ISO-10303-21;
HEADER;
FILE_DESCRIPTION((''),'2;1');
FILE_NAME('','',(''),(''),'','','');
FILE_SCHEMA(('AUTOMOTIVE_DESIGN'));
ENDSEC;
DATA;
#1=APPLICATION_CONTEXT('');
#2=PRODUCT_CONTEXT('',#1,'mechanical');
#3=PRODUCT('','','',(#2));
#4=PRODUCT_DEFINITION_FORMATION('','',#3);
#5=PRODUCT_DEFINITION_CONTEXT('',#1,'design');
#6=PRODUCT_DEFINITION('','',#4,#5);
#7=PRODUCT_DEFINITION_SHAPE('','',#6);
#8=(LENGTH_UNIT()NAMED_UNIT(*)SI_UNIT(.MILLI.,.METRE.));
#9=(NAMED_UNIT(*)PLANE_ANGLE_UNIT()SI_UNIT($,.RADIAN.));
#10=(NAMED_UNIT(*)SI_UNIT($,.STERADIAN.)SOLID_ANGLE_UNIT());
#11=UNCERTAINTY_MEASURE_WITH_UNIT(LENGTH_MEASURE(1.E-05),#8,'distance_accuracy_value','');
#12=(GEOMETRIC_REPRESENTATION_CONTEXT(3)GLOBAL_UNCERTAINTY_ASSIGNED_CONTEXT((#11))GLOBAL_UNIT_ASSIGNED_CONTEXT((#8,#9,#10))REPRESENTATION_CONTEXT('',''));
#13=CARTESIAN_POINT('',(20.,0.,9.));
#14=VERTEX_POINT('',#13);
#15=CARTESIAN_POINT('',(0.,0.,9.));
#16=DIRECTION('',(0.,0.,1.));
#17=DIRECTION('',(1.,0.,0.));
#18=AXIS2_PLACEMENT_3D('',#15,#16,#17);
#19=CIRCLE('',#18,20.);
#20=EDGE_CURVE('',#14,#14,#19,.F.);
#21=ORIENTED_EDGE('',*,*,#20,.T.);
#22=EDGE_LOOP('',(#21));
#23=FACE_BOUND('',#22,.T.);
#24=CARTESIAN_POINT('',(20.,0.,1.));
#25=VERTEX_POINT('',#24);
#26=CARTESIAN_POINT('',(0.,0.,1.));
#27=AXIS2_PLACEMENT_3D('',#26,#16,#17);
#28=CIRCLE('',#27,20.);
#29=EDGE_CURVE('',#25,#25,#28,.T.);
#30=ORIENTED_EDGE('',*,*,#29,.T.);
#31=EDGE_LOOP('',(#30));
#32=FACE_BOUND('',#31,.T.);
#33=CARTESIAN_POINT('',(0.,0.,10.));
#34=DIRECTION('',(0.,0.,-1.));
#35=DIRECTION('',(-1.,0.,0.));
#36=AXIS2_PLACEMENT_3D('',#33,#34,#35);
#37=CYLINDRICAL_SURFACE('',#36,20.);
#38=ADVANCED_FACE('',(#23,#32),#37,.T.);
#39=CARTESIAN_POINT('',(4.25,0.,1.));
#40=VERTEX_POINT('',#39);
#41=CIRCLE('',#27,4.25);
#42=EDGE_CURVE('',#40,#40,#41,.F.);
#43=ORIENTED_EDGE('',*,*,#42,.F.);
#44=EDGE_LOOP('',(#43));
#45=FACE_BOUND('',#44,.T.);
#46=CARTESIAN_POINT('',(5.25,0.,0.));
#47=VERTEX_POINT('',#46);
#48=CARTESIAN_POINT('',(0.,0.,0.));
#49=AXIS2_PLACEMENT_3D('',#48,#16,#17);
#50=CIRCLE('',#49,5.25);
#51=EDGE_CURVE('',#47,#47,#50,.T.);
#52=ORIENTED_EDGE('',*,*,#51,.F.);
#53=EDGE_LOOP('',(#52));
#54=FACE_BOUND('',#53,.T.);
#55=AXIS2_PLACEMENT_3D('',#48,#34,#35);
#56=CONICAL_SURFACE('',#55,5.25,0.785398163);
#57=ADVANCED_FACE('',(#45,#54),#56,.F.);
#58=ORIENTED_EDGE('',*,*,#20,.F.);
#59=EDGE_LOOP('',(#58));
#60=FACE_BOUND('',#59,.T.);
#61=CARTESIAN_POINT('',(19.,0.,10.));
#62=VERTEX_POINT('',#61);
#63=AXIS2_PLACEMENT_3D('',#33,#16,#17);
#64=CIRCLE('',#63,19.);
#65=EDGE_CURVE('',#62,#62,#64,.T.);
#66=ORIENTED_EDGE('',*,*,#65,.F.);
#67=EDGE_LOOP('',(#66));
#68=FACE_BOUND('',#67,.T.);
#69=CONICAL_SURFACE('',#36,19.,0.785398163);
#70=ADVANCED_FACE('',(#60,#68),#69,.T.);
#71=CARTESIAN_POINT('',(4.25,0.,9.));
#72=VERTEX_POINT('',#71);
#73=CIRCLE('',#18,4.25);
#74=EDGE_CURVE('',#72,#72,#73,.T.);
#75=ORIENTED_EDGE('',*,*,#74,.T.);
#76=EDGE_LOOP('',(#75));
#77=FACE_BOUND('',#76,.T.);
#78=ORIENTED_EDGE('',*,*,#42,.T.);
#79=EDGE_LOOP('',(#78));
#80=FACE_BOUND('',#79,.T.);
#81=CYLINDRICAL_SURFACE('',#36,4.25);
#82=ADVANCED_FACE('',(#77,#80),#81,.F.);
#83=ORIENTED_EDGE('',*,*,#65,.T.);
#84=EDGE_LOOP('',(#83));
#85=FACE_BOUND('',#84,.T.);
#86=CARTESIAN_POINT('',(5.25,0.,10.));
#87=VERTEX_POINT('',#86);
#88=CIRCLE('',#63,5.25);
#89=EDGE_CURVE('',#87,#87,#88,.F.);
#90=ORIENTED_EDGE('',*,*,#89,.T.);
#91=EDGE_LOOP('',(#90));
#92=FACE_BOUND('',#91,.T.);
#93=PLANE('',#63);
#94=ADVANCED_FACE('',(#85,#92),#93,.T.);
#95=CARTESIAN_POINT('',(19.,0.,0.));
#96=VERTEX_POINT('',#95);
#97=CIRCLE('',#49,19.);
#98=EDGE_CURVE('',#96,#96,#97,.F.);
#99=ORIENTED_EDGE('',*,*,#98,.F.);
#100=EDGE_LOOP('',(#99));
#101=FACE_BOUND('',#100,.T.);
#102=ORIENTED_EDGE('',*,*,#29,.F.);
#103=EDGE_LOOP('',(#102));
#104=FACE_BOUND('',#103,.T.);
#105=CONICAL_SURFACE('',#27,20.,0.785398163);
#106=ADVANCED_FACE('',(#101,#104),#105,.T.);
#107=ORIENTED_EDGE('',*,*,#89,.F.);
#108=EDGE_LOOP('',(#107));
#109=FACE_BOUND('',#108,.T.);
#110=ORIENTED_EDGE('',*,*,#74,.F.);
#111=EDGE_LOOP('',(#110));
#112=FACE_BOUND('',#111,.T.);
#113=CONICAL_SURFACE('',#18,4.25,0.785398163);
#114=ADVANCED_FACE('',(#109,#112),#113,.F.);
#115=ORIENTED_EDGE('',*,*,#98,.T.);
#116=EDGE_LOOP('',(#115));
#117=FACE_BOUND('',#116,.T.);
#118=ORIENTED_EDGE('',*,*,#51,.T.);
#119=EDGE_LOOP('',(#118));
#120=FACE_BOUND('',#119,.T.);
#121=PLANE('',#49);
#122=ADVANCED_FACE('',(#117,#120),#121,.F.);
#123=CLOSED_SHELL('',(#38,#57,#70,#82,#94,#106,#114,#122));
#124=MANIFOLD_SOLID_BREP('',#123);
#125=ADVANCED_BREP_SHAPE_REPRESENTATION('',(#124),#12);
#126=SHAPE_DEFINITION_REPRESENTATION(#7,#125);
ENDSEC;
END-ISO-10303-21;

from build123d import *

# Parameters (mm, degrees)
SZKIC1_R                    = 20
SZKIC1_R_2                  = 4.25
DODANIE_WYCI_GNI_CIE1_DEPTH = 10
SFAZOWANIE1_SIZE            = 1


with BuildPart() as part:
    # Szkic1 → Dodanie-wyciągnięcie1 (new body)
    with BuildSketch(Plane.XY):
        Circle(SZKIC1_R)
        Circle(SZKIC1_R_2, mode=Mode.SUBTRACT)
    extrude(amount=DODANIE_WYCI_GNI_CIE1_DEPTH)

    # Sfazowanie1
    sfazowanie1_edges = [part.edges().sort_by_distance(p)[0] for p in [
        (-20, 0, 0),
        (-20, 0, 10),
        (-4.25, 0, 0),
        (-4.25, 0, 10),
    ]]
    chamfer(sfazowanie1_edges, length=SFAZOWANIE1_SIZE)


solid = part.part
